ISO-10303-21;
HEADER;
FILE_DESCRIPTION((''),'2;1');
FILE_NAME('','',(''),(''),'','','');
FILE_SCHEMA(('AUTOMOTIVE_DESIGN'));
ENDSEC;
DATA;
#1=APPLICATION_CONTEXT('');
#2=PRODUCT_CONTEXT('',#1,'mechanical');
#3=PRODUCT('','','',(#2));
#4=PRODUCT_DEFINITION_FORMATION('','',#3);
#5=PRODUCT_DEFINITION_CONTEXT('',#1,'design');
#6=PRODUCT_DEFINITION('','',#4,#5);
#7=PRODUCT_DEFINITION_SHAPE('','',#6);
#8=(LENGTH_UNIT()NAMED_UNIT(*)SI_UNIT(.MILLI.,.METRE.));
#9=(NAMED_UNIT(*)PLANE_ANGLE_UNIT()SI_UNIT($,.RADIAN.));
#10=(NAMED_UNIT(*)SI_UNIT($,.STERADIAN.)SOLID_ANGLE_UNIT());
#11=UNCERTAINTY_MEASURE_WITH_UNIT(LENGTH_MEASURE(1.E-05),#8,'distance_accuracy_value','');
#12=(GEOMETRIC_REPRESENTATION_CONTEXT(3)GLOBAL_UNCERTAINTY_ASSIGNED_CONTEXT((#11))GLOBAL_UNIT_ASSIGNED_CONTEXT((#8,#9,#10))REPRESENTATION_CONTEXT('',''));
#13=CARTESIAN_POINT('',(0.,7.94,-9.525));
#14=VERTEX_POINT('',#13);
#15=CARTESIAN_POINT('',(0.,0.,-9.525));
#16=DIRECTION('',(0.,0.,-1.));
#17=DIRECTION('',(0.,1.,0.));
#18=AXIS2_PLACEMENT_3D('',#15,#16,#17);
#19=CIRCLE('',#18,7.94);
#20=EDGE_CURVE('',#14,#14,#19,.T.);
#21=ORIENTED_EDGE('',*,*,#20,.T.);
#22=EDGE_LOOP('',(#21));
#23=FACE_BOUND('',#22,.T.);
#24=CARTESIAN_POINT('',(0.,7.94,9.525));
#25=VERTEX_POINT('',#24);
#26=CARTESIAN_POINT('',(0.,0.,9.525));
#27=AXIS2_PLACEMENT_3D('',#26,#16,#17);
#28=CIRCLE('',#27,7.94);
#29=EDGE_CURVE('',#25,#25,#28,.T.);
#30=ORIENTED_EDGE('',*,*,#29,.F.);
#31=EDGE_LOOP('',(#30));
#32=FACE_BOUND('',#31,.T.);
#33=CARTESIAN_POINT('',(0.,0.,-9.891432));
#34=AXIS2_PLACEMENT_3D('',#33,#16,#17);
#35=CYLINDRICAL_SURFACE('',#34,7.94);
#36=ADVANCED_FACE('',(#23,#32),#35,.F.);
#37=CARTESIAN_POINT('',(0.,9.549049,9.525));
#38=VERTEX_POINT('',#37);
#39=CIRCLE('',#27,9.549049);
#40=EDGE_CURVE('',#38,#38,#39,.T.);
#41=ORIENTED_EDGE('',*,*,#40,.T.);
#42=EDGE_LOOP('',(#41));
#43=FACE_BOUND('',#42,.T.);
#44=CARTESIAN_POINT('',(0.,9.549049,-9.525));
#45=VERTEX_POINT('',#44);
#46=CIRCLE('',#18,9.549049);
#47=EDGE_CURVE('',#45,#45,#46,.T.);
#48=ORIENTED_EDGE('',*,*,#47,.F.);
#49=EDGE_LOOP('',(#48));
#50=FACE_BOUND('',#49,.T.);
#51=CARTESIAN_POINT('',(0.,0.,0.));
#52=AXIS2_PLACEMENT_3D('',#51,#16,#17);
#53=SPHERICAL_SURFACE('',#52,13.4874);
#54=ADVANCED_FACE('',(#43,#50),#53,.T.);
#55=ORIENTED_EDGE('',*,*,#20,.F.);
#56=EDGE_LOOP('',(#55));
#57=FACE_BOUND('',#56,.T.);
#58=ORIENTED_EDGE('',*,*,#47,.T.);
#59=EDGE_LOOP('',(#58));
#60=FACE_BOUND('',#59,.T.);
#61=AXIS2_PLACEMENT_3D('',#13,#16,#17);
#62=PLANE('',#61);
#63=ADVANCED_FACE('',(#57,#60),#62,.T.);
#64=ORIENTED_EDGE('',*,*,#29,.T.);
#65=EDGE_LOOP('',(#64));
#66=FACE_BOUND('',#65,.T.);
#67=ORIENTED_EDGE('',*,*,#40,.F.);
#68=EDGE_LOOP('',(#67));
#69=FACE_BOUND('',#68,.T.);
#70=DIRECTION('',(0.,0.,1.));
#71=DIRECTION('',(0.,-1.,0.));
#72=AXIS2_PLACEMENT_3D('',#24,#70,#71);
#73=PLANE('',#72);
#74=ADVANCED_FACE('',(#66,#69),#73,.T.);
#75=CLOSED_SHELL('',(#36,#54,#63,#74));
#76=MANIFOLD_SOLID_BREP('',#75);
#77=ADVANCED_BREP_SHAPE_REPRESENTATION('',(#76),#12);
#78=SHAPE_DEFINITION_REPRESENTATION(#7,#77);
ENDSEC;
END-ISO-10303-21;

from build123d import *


with BuildPart() as part:
    # Sketch1 → Revolve1 (revolve)
    with BuildSketch(Plane(origin=(0, 0, 0), x_dir=(0, 0, -1), z_dir=(1, 0, 0))):
        with BuildLine():
            Line((9.525, 7.94), (-9.525, 7.94))
            Line((-9.525, 7.94), (-9.525, 9.549048841))
            ThreePointArc((-9.525, 9.549048841), (0, 13.4874), (9.525, 9.549048841))
            Line((9.525, 9.549048841), (9.525, 7.94))
        make_face()
    revolve(axis=Axis((0, 0, -9.891432169), (0, 0, 1)))


solid = part.part
